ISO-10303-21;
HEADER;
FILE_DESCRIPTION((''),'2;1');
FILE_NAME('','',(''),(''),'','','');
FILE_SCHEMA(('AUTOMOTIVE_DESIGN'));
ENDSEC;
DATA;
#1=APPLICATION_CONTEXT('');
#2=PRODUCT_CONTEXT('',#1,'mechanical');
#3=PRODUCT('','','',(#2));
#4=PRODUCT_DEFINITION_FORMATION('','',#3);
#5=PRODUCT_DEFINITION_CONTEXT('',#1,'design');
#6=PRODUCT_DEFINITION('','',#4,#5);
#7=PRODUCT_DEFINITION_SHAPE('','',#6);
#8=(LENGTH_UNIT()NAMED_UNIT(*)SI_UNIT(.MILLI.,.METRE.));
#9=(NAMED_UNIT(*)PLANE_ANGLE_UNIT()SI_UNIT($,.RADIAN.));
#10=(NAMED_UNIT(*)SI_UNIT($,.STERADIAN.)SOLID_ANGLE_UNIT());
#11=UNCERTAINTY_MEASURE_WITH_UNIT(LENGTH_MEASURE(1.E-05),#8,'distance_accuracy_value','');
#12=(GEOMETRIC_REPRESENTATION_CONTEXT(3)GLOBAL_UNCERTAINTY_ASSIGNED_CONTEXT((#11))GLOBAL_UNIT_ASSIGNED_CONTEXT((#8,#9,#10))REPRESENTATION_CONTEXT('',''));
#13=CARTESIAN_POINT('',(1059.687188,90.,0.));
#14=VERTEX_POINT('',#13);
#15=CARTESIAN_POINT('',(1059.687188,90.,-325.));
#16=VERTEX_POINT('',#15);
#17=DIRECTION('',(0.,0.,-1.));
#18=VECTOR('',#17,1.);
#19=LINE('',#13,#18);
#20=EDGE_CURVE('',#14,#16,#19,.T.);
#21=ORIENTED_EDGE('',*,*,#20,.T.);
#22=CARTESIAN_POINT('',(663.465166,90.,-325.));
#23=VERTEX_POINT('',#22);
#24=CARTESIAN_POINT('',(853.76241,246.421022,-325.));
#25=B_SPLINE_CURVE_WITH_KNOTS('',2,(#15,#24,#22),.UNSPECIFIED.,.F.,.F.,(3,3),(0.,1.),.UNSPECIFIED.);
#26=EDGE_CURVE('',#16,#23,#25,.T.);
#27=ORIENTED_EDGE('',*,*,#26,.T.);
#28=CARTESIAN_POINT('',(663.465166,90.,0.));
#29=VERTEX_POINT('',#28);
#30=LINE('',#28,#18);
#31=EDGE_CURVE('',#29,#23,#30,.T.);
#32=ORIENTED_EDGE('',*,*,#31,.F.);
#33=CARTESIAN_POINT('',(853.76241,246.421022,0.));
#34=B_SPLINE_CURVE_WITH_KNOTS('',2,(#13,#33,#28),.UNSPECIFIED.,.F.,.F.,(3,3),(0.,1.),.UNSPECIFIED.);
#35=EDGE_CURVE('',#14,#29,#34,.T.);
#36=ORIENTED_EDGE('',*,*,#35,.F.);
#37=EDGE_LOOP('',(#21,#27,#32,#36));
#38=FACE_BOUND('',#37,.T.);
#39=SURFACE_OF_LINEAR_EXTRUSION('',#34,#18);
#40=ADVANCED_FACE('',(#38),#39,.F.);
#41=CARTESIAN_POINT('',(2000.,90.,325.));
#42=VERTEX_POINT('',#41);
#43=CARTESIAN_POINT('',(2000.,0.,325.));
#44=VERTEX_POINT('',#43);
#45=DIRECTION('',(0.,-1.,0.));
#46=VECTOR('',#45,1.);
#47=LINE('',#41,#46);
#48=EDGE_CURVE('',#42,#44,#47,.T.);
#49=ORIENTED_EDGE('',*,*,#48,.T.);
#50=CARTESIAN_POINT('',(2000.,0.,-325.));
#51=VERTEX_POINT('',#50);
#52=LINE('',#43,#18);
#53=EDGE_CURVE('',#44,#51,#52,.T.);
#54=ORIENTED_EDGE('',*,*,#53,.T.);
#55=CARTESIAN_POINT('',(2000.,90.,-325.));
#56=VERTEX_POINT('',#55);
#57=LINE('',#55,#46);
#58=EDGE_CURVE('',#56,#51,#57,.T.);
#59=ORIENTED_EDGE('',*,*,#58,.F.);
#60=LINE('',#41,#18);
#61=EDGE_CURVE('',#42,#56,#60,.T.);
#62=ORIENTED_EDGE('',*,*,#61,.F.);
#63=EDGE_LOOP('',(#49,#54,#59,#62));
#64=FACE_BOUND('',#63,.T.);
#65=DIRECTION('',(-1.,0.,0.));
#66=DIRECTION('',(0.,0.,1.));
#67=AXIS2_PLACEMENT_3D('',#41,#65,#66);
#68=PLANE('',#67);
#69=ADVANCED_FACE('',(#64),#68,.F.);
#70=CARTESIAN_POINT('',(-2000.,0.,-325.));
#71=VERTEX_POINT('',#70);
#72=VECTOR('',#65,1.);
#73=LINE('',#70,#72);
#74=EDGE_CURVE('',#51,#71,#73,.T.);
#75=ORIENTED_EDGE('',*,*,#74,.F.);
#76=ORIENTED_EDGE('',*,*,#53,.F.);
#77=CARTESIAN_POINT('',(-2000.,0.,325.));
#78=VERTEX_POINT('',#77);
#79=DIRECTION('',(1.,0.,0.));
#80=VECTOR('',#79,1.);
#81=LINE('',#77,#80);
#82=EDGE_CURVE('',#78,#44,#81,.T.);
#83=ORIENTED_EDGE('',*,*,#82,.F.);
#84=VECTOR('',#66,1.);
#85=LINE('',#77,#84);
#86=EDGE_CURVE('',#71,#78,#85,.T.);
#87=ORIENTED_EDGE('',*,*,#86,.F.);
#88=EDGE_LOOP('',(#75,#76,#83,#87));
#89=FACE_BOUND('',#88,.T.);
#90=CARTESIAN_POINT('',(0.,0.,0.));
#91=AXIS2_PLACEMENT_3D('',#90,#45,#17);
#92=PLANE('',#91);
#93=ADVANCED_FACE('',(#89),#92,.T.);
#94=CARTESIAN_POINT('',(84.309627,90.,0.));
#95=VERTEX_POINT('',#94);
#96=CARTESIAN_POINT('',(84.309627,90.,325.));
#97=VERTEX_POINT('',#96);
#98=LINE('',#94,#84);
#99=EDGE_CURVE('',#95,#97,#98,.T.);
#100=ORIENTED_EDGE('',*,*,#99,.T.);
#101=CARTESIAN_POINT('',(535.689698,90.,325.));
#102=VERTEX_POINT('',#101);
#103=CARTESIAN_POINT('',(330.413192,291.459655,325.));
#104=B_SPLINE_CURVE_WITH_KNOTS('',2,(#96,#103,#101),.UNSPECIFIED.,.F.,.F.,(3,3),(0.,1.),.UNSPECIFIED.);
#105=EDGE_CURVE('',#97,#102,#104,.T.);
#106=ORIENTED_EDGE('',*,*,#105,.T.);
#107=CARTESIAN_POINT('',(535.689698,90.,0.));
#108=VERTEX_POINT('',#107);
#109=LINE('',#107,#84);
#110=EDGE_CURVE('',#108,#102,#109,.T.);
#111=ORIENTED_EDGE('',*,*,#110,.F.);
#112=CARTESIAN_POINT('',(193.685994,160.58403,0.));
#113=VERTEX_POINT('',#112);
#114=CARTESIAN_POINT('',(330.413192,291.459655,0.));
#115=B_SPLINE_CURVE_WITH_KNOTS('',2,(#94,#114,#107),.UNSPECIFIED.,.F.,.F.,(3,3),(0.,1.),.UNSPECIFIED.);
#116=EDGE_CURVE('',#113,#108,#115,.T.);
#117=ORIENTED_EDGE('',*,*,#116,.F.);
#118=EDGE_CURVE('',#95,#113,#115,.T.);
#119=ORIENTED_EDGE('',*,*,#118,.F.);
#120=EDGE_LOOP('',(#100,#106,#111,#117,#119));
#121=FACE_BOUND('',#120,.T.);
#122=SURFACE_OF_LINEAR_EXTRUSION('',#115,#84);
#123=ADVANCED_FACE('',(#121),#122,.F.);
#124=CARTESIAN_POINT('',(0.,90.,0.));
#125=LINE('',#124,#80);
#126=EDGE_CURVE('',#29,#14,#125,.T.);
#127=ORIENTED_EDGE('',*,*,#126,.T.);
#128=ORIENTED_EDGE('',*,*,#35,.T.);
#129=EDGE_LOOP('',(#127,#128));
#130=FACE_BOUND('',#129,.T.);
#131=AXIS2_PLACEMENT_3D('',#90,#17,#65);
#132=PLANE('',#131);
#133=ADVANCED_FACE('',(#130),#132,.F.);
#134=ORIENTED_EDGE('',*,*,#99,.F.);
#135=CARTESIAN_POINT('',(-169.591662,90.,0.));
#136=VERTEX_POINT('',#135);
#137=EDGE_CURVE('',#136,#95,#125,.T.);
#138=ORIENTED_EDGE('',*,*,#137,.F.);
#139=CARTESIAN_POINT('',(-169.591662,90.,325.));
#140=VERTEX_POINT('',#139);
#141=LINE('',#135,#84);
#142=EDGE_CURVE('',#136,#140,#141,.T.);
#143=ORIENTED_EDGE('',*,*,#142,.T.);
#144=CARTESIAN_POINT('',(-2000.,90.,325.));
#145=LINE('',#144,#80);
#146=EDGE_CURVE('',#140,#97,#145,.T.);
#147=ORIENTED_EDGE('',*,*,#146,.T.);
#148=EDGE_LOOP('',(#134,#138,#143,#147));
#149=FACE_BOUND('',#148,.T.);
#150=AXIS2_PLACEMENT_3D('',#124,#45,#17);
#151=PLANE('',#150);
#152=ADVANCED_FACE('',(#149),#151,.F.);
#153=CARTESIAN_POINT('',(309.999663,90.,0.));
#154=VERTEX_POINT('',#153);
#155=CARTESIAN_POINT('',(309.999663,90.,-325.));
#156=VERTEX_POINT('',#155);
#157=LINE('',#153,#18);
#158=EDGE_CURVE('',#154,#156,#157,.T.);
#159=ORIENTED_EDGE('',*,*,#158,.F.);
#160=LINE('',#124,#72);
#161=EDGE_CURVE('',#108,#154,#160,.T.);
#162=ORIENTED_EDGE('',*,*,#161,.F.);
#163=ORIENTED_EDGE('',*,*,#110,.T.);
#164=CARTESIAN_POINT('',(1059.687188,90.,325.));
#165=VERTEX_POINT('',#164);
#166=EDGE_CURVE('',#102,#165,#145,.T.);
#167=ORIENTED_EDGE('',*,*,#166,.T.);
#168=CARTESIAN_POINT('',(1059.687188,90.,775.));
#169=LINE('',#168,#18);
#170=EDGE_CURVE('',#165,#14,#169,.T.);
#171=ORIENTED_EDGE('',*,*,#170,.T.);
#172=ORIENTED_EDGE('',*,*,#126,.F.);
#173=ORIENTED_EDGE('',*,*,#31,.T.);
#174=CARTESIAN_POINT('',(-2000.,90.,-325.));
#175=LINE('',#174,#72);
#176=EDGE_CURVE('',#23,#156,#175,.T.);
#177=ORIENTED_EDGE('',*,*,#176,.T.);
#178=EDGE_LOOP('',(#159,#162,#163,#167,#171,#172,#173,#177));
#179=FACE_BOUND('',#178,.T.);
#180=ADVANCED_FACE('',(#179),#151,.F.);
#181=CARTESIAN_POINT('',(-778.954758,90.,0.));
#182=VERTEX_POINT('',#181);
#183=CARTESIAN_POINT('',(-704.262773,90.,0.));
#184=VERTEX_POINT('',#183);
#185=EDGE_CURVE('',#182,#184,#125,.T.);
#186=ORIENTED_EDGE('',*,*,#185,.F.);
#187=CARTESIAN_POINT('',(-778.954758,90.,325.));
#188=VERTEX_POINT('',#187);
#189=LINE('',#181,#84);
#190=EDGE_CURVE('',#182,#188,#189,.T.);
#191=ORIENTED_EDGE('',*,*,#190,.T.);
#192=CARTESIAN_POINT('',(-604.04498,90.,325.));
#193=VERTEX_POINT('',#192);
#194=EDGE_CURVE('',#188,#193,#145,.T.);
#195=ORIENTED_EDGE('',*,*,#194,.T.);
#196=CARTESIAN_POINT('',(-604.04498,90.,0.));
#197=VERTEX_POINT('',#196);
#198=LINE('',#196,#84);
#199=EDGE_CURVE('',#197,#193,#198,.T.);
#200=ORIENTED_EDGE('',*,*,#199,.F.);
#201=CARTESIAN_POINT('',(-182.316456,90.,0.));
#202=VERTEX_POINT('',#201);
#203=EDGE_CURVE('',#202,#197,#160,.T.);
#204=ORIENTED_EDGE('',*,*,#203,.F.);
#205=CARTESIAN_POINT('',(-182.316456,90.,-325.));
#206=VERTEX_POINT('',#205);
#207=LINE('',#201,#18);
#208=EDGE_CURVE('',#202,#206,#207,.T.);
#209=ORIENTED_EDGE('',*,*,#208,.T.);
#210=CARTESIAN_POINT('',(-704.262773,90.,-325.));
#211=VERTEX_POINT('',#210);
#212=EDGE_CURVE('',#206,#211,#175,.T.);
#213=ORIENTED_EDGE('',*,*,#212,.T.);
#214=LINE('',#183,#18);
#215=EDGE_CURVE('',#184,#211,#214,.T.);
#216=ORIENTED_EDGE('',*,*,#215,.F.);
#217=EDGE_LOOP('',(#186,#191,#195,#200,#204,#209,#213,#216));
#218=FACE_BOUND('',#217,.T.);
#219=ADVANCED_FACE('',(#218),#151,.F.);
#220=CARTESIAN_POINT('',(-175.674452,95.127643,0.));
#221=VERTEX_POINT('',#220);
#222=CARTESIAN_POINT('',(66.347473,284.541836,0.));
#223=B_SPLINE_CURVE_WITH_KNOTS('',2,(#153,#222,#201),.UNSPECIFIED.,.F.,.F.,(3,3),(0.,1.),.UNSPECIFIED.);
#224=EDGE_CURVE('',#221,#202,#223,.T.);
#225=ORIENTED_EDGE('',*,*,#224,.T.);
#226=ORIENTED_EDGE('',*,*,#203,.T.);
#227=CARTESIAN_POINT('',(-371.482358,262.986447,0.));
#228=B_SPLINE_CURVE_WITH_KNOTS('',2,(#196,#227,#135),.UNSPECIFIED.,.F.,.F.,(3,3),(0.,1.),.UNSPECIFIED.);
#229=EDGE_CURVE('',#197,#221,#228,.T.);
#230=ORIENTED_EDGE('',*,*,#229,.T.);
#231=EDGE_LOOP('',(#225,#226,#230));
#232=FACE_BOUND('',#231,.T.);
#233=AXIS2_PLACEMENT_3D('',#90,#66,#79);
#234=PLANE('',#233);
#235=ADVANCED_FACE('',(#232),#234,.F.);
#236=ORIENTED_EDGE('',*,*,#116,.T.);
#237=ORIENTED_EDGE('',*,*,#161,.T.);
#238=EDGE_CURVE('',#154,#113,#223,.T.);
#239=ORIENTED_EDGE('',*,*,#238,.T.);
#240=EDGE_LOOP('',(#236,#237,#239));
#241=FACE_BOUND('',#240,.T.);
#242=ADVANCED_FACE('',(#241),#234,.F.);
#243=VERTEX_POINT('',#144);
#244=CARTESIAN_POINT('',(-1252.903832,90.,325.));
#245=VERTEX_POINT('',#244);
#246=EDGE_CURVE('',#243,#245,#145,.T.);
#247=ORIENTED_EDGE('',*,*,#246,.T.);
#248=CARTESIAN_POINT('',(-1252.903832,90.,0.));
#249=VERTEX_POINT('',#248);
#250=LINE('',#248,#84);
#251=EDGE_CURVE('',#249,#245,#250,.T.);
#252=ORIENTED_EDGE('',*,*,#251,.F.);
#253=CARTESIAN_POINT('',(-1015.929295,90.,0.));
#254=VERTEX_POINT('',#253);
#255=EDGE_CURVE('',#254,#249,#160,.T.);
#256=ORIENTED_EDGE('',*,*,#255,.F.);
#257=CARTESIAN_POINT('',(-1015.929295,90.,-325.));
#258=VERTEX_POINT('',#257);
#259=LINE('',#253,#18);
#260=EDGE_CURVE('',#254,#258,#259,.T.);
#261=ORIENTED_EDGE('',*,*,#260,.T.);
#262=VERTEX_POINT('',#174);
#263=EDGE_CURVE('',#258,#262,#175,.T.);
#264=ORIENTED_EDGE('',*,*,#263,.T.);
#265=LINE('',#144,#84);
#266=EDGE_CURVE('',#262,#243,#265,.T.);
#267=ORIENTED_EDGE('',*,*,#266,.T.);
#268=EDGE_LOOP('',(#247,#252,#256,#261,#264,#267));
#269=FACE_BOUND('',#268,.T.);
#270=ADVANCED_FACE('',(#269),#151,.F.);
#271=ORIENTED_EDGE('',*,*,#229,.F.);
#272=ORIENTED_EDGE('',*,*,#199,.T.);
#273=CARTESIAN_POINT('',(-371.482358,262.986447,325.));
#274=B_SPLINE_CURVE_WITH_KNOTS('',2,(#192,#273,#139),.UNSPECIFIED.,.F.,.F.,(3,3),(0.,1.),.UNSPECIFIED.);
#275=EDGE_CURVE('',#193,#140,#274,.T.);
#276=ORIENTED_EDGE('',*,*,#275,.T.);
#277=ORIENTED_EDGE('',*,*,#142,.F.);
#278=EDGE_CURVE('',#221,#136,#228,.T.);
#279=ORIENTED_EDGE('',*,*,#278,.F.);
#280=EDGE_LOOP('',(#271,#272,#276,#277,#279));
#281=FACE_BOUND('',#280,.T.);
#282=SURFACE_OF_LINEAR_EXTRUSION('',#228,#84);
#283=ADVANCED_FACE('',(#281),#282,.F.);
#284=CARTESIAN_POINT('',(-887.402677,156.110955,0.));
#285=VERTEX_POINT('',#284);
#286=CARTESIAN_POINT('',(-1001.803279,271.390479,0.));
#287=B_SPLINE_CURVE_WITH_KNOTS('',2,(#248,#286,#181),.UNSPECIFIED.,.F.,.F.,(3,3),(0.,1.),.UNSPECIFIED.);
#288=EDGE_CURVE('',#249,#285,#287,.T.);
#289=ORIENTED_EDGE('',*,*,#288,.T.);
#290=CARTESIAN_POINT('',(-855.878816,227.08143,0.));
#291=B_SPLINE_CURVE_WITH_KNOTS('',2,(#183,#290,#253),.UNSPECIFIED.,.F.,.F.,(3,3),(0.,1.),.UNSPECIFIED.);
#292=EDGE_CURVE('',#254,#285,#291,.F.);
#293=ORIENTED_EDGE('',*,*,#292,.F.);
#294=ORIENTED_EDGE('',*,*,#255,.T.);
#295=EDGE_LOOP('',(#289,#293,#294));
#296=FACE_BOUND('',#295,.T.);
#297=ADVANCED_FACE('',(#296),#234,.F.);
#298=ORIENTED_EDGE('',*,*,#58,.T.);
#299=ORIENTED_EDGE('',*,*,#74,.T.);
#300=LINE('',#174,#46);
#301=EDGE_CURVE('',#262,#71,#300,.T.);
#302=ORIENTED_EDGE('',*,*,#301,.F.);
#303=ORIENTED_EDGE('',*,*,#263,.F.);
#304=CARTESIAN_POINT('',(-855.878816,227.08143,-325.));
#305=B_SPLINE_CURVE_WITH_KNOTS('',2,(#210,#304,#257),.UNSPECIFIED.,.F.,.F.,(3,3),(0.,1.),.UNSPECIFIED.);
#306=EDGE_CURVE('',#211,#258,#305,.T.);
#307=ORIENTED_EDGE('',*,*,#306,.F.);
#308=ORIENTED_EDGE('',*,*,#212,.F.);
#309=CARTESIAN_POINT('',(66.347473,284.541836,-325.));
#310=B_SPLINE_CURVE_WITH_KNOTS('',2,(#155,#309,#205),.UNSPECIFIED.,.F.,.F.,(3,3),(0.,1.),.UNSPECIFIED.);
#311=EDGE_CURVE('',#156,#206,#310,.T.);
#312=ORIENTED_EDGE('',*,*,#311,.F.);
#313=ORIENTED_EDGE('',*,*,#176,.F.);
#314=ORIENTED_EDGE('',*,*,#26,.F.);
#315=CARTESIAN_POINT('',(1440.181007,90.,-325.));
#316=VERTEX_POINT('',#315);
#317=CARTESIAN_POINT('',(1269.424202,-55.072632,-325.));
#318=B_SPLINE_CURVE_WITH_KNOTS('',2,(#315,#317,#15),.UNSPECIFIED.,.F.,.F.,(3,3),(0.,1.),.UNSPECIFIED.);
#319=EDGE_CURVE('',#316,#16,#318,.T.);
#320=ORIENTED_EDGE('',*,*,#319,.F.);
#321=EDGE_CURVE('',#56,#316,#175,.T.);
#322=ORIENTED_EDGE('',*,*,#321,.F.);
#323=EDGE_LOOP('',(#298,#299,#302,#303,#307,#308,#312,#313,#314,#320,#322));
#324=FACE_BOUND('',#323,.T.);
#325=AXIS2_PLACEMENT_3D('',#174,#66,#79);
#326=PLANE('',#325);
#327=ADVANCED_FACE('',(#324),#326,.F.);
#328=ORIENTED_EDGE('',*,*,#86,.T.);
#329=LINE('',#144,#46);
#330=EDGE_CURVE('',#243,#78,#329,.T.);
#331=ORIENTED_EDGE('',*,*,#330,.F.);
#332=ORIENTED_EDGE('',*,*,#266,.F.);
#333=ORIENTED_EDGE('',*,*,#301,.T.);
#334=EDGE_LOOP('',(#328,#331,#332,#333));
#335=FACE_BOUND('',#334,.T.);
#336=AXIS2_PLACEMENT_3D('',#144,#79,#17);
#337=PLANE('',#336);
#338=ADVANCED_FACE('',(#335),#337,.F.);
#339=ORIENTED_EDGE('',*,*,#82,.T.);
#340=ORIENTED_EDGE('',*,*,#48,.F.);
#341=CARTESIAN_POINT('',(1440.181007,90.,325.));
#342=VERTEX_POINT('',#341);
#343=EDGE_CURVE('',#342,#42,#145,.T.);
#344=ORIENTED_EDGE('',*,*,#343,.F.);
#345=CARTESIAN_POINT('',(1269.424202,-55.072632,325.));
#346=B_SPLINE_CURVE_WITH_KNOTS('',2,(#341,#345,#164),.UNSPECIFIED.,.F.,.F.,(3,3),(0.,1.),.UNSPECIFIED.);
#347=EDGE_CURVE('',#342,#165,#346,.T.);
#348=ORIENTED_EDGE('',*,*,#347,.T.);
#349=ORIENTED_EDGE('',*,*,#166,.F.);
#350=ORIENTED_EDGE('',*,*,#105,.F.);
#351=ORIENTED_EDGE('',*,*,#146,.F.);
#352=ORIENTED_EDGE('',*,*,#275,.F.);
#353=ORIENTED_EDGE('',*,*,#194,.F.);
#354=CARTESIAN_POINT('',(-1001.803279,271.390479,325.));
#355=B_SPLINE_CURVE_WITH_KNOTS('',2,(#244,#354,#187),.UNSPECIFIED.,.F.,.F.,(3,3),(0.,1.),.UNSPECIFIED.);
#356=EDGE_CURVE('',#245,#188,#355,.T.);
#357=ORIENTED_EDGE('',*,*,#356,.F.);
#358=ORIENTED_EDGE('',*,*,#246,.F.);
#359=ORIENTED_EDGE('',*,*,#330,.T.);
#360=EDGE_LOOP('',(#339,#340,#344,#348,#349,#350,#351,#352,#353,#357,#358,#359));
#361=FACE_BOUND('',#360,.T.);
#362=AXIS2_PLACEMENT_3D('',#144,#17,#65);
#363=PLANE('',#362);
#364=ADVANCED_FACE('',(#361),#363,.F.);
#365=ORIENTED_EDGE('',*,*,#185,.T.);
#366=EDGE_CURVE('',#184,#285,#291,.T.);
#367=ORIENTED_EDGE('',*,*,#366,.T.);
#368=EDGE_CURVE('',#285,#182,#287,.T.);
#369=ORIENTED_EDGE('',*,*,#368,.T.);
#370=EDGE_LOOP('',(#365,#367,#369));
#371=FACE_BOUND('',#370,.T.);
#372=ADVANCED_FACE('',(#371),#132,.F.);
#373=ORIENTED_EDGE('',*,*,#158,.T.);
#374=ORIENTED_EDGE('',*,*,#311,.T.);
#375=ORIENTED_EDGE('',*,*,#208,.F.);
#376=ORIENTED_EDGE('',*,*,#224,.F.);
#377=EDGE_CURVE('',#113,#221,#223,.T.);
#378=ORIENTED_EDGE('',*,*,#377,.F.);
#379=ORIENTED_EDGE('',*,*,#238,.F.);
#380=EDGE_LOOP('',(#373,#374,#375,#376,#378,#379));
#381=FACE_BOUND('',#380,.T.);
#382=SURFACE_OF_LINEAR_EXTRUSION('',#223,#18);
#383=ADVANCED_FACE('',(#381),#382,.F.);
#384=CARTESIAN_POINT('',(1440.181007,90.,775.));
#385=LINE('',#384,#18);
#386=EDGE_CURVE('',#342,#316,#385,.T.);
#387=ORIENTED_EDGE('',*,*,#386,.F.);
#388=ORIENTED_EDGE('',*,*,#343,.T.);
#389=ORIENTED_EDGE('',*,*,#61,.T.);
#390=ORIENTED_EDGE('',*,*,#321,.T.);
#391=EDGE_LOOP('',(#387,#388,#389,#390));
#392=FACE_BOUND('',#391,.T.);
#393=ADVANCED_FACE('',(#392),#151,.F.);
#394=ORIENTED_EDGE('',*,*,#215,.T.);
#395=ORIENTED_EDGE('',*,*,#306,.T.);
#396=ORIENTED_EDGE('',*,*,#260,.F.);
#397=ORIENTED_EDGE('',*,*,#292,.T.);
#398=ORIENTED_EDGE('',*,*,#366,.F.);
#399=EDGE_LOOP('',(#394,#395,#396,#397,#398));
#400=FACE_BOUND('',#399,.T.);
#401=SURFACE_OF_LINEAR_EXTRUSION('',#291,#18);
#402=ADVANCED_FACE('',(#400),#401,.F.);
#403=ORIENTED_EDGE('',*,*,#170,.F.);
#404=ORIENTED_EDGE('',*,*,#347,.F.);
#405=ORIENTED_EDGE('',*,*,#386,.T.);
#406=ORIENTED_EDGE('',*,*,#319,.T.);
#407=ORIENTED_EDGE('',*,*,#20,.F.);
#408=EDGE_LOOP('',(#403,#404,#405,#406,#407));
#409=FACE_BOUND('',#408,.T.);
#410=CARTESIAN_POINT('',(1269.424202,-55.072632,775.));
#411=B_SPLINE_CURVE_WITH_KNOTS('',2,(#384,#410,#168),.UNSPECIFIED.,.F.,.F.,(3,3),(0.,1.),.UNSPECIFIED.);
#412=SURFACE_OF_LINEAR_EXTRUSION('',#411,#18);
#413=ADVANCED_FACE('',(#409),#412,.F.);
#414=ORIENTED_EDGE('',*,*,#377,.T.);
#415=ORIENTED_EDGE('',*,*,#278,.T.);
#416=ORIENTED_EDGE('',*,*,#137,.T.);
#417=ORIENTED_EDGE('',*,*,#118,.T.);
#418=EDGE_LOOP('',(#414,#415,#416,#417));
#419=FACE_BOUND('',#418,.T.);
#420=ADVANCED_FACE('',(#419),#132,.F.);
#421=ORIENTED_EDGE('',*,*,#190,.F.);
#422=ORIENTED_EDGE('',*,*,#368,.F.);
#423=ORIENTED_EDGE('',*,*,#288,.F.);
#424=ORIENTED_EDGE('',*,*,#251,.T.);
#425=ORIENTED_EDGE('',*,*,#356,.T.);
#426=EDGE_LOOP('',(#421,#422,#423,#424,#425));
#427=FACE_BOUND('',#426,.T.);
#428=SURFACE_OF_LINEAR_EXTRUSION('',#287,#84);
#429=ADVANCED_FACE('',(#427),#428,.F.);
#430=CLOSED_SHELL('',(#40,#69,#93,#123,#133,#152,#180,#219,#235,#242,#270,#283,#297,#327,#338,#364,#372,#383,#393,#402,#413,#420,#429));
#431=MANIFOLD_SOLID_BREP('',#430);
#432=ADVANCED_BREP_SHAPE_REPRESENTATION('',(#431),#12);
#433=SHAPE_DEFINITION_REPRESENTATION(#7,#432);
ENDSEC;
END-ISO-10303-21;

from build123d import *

# Parameters (mm, degrees)
SKETCH1_W           = 4000
SKETCH1_H           = 650
BOSS_EXTRUDE1_DEPTH = 90
BOSS_EXTRUDE2_DEPTH = 325
BOSS_EXTRUDE3_DEPTH = 325
CUT_EXTRUDE1_DEPTH  = 1100


with BuildPart() as part:
    # Sketch1 → Boss-Extrude1 (new body)
    with BuildSketch(Plane(origin=(0, 0, 0), x_dir=(1, 0, 0), z_dir=(0, 1, 0))):
        Rectangle(SKETCH1_W, SKETCH1_H)
    extrude(amount=BOSS_EXTRUDE1_DEPTH)

    # Sketch2 → Boss-Extrude2 (add)
    with BuildSketch(Plane.XY.offset(325)):
        with BuildLine():
            add(Edge.make_bspline(
                [(-1252.903831596, 90), (-1001.803278646, 271.390478837), (-778.954757525, 90)],
                knots=[0, 0, 0, 1, 1, 1], degree=2))
            Line((-1252.903831596, 90), (-778.954757525, 90))
        make_face()
        with BuildLine():
            add(Edge.make_bspline(
                [(-604.044980189, 90), (-371.48235813, 262.986446505), (-169.59166229, 90)],
                knots=[0, 0, 0, 1, 1, 1], degree=2))
            Line((-604.044980189, 90), (-169.59166229, 90))
        make_face()
        with BuildLine():
            add(Edge.make_bspline(
                [(84.309627392, 90), (330.413191865, 291.459655472), (535.689697936, 90)],
                knots=[0, 0, 0, 1, 1, 1], degree=2))
            Line((84.309627392, 90), (535.689697936, 90))
        make_face()
    extrude(amount=-BOSS_EXTRUDE2_DEPTH)

    # Sketch3 → Boss-Extrude3 (add)
    with BuildSketch(Plane(origin=(0, 0, -325), x_dir=(-1, 0, 0), z_dir=(0, 0, -1))):
        with BuildLine():
            add(Edge.make_bspline(
                [(-1059.6871877, 90), (-853.762409996, 246.421021522), (-663.465166324, 90)],
                knots=[0, 0, 0, 1, 1, 1], degree=2))
            Line((-1059.6871877, 90), (-663.465166324, 90))
        make_face()
        with BuildLine():
            add(Edge.make_bspline(
                [(-309.999662664, 90), (-66.34747312, 284.541836271), (182.316456228, 90)],
                knots=[0, 0, 0, 1, 1, 1], degree=2))
            Line((-309.999662664, 90), (182.316456228, 90))
        make_face()
        with BuildLine():
            add(Edge.make_bspline(
                [(704.262772848, 90), (855.878816097, 227.081429679), (1015.92929456, 90)],
                knots=[0, 0, 0, 1, 1, 1], degree=2))
            Line((704.262772848, 90), (1015.92929456, 90))
        make_face()
    extrude(amount=-BOSS_EXTRUDE3_DEPTH)

    # Sketch4 → Cut-Extrude1 (cut)
    with BuildSketch(Plane(origin=(0, 0, -325), x_dir=(-1, 0, 0), z_dir=(0, 0, -1))):
        with BuildLine():
            Line((-1440.181007099, 90), (-1059.6871877, 90))
            add(Edge.make_bspline(
                [(-1059.6871877, 90), (-1269.424201865, -55.072631601), (-1440.181007099, 90)],
                knots=[0, 0, 0, 1, 1, 1], degree=2))
        make_face()
    extrude(amount=-CUT_EXTRUDE1_DEPTH, mode=Mode.SUBTRACT)


solid = part.part
